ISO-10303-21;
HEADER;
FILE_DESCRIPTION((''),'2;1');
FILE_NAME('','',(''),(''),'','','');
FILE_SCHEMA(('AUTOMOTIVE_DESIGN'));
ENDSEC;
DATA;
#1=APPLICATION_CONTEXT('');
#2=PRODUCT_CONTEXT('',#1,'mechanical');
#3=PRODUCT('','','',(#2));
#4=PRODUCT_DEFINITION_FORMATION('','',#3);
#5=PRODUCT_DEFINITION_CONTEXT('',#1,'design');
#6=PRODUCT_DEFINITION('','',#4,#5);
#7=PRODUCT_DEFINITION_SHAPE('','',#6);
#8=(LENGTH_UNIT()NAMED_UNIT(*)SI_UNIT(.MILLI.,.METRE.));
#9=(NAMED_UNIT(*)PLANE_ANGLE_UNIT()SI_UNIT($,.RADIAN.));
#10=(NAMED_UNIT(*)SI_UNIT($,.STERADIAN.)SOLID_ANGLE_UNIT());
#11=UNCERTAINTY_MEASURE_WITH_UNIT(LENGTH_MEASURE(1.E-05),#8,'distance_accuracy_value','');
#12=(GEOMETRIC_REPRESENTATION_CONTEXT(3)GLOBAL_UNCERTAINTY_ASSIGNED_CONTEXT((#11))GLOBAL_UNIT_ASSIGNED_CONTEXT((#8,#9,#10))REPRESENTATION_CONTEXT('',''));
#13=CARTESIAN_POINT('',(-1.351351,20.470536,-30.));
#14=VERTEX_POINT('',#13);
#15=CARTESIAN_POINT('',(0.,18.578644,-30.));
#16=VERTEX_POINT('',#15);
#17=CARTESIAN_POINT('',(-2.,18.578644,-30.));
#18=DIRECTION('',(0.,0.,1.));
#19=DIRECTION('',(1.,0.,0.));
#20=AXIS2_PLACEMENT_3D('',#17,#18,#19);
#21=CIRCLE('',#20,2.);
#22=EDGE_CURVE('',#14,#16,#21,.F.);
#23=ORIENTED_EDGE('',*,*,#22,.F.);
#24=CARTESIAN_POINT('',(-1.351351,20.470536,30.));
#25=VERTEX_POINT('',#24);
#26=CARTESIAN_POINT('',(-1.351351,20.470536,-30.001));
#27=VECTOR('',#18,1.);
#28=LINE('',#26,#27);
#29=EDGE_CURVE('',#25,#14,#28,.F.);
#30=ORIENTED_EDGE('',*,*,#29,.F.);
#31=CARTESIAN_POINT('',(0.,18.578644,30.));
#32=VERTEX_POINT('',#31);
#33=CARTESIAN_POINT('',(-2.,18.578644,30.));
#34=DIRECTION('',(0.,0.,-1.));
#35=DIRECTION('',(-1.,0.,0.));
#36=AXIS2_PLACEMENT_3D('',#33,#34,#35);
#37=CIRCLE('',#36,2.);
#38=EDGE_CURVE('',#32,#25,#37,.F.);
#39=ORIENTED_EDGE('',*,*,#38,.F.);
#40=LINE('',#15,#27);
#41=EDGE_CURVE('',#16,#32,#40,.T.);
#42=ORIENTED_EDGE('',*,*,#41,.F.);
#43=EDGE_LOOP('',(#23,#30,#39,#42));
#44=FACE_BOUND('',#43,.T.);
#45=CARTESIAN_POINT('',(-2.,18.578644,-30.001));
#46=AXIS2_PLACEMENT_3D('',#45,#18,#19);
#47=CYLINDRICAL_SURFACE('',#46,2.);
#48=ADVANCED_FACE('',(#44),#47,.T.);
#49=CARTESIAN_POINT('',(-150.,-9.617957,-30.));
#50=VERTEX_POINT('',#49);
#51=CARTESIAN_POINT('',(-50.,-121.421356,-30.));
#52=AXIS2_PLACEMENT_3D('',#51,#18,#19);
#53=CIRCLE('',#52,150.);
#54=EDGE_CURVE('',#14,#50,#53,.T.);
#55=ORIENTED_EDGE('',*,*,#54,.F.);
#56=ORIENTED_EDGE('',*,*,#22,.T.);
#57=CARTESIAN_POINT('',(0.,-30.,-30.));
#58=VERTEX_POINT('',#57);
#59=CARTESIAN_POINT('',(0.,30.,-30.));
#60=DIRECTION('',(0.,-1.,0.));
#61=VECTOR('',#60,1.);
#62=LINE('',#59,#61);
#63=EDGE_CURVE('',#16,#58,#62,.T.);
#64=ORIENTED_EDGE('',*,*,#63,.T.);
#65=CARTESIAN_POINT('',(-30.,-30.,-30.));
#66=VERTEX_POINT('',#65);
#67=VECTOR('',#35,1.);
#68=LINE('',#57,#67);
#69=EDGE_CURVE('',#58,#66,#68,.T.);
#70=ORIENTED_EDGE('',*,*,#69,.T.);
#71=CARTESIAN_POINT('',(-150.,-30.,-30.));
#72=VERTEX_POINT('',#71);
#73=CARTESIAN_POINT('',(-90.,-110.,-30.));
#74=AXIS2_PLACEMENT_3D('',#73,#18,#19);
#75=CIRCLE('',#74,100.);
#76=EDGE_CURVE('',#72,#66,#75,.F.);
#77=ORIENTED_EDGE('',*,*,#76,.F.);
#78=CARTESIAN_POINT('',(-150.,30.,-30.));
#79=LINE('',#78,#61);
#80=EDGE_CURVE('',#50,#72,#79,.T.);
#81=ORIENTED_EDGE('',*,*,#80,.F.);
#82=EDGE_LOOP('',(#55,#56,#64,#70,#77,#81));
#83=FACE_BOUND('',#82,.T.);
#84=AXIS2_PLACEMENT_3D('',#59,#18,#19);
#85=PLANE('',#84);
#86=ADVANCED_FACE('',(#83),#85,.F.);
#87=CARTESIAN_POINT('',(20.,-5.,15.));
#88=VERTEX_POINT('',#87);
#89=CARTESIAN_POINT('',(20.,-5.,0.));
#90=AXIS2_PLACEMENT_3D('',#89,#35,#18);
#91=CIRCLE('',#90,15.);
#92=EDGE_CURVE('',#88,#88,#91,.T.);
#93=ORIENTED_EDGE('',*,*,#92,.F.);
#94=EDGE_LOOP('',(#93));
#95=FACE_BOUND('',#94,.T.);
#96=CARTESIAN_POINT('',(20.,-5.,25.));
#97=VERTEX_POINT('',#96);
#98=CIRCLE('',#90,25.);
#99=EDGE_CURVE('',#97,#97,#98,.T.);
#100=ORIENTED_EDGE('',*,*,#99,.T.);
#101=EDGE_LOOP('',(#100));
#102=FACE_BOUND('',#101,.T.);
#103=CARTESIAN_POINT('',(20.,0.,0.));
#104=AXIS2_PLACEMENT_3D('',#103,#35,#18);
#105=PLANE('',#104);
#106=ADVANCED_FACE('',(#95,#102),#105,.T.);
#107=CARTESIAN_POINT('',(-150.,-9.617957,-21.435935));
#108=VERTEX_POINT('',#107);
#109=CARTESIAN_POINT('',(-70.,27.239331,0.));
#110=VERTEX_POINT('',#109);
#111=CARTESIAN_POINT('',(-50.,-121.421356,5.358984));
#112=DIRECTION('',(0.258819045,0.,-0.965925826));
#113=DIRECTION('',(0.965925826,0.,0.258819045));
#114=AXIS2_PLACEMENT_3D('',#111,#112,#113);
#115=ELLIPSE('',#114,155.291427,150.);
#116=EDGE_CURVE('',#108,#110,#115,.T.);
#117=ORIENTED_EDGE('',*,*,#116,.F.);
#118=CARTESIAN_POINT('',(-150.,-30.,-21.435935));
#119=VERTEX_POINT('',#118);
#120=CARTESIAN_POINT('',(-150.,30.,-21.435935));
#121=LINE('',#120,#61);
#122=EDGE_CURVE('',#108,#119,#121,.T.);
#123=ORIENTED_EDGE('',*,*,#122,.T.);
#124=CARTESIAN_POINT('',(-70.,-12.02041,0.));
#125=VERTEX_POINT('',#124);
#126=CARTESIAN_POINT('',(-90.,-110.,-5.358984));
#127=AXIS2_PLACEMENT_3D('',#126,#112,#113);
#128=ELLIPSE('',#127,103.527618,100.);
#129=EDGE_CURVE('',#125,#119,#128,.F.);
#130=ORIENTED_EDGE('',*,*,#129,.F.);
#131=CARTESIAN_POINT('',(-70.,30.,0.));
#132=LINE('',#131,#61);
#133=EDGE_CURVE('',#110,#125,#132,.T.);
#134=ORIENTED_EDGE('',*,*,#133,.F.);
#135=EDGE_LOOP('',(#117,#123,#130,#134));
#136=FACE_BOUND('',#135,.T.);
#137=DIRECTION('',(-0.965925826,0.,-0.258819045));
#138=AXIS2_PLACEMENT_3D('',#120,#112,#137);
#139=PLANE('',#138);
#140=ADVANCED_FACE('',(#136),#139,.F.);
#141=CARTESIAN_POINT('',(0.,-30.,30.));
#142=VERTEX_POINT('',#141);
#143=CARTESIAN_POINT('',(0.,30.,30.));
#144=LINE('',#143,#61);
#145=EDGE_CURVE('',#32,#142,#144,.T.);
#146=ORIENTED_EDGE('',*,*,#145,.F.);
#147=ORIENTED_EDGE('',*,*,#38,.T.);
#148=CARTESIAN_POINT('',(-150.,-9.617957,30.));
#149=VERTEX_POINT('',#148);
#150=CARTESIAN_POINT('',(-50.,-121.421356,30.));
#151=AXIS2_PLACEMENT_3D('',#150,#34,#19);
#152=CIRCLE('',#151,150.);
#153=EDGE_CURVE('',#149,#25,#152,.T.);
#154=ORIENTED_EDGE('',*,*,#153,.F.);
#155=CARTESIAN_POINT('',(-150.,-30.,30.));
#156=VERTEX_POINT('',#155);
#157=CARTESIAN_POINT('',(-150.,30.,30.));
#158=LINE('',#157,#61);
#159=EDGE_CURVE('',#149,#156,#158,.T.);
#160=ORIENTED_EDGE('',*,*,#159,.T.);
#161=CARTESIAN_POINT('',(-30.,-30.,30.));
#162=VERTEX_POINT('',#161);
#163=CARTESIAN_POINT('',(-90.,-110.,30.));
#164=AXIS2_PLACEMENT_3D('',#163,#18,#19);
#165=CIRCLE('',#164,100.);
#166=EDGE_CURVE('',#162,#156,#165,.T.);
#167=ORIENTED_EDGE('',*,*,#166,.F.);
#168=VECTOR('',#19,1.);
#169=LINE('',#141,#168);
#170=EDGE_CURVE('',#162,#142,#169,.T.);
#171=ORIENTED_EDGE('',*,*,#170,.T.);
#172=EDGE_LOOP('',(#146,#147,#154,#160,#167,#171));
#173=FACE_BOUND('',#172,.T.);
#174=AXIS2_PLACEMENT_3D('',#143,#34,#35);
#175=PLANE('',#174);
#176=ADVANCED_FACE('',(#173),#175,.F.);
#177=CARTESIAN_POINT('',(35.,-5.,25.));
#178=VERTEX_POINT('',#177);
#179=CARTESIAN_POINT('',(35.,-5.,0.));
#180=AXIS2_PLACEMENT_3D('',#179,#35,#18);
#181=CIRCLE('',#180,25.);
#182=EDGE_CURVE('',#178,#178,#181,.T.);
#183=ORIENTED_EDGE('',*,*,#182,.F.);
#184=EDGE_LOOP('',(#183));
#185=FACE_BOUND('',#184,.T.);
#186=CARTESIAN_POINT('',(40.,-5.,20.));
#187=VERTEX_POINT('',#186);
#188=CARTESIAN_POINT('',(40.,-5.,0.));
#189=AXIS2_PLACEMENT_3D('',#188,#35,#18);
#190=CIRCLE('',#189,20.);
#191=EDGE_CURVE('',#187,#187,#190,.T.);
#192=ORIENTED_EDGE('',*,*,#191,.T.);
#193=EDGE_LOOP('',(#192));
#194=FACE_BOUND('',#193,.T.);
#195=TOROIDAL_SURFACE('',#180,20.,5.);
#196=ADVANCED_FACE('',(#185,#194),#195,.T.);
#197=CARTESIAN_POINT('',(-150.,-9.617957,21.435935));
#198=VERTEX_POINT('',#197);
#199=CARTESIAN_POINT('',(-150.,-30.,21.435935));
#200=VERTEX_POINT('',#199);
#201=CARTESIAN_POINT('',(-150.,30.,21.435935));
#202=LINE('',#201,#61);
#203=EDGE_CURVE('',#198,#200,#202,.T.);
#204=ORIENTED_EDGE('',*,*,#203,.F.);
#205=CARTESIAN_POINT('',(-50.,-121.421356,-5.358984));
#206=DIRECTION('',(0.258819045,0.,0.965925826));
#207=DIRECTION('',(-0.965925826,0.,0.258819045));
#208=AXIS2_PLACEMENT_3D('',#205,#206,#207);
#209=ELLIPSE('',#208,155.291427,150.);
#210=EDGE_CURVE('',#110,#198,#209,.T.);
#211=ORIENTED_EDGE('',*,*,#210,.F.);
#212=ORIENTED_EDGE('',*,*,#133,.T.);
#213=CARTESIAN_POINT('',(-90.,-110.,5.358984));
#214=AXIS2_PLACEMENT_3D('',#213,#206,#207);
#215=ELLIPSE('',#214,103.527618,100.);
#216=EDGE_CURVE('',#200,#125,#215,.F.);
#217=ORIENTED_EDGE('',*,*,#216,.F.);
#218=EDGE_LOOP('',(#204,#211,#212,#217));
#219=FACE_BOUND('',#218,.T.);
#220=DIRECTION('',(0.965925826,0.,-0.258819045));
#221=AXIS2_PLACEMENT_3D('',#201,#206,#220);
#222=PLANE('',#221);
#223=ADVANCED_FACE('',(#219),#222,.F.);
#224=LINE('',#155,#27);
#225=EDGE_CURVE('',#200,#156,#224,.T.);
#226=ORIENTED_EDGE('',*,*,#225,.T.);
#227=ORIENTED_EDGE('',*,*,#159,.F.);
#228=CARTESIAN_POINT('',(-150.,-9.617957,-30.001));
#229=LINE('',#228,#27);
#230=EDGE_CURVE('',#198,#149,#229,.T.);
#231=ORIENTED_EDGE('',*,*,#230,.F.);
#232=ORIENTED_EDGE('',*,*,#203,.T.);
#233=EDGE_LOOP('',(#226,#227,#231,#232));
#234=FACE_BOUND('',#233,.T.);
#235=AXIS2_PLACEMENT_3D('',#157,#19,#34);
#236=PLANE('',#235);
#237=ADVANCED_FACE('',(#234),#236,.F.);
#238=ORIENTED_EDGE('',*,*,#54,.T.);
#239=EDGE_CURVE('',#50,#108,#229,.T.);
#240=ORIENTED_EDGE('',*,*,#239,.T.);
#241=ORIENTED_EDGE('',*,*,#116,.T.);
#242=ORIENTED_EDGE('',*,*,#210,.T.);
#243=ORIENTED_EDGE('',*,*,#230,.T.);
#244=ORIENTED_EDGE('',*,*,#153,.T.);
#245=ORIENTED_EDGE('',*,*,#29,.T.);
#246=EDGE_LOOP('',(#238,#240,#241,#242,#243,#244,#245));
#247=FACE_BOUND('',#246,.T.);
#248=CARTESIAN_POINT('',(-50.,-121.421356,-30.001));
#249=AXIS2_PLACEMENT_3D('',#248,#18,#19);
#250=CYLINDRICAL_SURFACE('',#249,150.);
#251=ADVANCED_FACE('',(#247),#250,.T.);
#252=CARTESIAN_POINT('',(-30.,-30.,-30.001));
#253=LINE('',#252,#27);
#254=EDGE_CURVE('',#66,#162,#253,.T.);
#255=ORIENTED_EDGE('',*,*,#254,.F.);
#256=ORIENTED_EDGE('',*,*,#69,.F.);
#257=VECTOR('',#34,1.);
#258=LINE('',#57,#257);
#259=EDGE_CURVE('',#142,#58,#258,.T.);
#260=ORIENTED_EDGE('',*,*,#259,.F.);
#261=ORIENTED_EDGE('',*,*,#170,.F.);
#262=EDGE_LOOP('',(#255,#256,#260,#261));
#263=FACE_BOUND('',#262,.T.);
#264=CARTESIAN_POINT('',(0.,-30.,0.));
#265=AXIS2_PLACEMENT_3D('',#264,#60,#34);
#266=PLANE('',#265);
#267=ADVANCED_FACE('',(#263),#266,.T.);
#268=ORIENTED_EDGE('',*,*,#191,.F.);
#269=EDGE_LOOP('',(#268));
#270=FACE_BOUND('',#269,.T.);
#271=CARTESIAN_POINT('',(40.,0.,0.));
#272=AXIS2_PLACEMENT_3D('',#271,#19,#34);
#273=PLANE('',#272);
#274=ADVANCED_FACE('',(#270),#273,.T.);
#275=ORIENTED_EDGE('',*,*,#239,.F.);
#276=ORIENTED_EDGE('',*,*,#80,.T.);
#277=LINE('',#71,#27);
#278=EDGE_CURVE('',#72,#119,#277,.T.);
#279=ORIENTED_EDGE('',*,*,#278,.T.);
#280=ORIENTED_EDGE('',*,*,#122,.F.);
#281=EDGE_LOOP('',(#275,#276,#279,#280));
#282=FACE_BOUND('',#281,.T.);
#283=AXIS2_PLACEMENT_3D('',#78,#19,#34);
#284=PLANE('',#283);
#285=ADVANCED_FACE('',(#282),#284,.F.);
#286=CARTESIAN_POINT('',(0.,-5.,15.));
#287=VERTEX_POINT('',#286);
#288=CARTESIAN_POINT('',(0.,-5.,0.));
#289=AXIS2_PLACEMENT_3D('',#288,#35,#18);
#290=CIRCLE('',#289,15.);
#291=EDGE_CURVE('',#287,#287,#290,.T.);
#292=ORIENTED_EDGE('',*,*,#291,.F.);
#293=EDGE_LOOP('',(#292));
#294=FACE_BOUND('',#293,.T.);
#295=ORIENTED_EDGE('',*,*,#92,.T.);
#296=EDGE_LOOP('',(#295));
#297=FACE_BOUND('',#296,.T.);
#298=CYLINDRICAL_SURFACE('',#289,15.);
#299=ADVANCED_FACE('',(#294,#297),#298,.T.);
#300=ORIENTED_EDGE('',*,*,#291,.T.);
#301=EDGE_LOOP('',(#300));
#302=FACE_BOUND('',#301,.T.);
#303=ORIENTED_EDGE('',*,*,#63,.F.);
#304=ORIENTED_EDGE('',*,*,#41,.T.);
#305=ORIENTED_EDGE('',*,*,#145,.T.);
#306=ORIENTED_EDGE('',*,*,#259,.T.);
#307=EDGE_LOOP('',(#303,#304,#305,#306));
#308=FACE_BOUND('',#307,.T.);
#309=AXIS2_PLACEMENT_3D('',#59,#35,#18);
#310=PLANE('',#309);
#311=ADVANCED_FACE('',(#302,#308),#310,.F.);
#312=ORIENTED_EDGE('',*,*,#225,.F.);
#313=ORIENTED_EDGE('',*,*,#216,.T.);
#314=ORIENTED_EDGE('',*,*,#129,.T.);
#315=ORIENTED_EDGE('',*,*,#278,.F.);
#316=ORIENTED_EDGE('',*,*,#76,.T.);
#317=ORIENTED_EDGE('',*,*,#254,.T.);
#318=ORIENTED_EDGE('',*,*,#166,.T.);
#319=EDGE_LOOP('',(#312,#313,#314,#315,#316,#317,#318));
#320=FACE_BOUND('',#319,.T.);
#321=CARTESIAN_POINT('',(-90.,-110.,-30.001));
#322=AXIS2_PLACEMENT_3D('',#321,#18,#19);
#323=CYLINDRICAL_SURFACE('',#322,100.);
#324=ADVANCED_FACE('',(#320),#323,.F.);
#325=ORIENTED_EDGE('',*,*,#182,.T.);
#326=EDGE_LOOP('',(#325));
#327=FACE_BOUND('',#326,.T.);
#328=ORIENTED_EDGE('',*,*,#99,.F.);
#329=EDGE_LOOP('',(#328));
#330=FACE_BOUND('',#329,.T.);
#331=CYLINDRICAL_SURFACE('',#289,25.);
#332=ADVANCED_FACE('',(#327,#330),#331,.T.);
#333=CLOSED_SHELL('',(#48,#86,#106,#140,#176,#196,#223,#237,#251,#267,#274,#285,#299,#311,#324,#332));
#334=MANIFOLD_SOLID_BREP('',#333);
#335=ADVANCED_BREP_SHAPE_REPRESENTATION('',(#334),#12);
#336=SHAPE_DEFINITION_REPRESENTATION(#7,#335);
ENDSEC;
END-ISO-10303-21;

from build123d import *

# Parameters (mm, degrees)
Y_KSEKLIK_EKSTR_ZYON2_DEPTH = 30
KES_EKSTR_ZYON1_REACH       = 62
KES_EKSTR_ZYON2_REACH       = 62
RADYUS1_R                   = 2


with BuildPart() as part:
    # Çizim2 → Yükseklik-Ekstrüzyon2 (new body, symmetric)
    with BuildSketch(Plane(origin=(0, 0, 0), x_dir=(1, 0, 0), z_dir=(0, 1, 0))):
        Polygon((0, 30), (0, -30), (-150, -30), (-150, -21.435935394), (-70, 0), (-150, 21.435935394), (-150, 30), align=None)
    extrude(amount=Y_KSEKLIK_EKSTR_ZYON2_DEPTH, both=True)

    # Çizim3 → Kes-Ekstrüzyon1 (cut, up to next)
    with BuildSketch(Plane.XY.offset(30), mode=Mode.PRIVATE) as kes_ekstr_zyon1_sk1:
        with BuildLine():
            Line((-150, -30), (-30, -30))
            ThreePointArc((-30, -30), (-90, -10), (-150, -30))
        make_face()
    kes_ekstr_zyon1_tool1 = extrude(kes_ekstr_zyon1_sk1.sketch, amount=-KES_EKSTR_ZYON1_REACH, mode=Mode.PRIVATE) & part.part
    add(kes_ekstr_zyon1_tool1.solids().sort_by_distance((-90, -21.927203, 30))[0], mode=Mode.SUBTRACT)

    # Çizim5 → Döndür1 (revolve)
    with BuildSketch(Plane.XY):
        with BuildLine():
            Line((20, -30), (35, -30))
            ThreePointArc((35, -30), (38.535533906, -28.535533906), (40, -25))
            Line((40, -25), (40, -5))
            Line((40, -5), (0, -5))
            Line((0, -5), (0, -20))
            Line((0, -20), (20, -20))
            Line((20, -20), (20, -30))
        make_face()
    revolve(axis=Axis((0, -5, 0), (1, 0, 0)))

    # Çizim6 → Kes-Ekstrüzyon2 (cut, up to next)
    with BuildSketch(Plane.XY.offset(30), mode=Mode.PRIVATE) as kes_ekstr_zyon2_sk1:
        with BuildLine():
            Line((-150, -9.617957362), (-150, 30))
            Line((-150, 30), (0, 30))
            Line((0, 30), (0, 20))
            ThreePointArc((0, 20), (-79.056941504, 25.737381697), (-150, -9.617957362))
        make_face()
    kes_ekstr_zyon2_tool1 = extrude(kes_ekstr_zyon2_sk1.sketch, amount=-KES_EKSTR_ZYON2_REACH, mode=Mode.PRIVATE) & part.part
    add(kes_ekstr_zyon2_tool1.solids().sort_by_distance((-108.440185, 19.830355, 30))[0], mode=Mode.SUBTRACT)

    # Radyus1
    radyus1_edges = [part.edges().sort_by_distance(p)[0] for p in [
        (0, 20, 0),
    ]]
    fillet(radyus1_edges, radius=RADYUS1_R)


solid = part.part
